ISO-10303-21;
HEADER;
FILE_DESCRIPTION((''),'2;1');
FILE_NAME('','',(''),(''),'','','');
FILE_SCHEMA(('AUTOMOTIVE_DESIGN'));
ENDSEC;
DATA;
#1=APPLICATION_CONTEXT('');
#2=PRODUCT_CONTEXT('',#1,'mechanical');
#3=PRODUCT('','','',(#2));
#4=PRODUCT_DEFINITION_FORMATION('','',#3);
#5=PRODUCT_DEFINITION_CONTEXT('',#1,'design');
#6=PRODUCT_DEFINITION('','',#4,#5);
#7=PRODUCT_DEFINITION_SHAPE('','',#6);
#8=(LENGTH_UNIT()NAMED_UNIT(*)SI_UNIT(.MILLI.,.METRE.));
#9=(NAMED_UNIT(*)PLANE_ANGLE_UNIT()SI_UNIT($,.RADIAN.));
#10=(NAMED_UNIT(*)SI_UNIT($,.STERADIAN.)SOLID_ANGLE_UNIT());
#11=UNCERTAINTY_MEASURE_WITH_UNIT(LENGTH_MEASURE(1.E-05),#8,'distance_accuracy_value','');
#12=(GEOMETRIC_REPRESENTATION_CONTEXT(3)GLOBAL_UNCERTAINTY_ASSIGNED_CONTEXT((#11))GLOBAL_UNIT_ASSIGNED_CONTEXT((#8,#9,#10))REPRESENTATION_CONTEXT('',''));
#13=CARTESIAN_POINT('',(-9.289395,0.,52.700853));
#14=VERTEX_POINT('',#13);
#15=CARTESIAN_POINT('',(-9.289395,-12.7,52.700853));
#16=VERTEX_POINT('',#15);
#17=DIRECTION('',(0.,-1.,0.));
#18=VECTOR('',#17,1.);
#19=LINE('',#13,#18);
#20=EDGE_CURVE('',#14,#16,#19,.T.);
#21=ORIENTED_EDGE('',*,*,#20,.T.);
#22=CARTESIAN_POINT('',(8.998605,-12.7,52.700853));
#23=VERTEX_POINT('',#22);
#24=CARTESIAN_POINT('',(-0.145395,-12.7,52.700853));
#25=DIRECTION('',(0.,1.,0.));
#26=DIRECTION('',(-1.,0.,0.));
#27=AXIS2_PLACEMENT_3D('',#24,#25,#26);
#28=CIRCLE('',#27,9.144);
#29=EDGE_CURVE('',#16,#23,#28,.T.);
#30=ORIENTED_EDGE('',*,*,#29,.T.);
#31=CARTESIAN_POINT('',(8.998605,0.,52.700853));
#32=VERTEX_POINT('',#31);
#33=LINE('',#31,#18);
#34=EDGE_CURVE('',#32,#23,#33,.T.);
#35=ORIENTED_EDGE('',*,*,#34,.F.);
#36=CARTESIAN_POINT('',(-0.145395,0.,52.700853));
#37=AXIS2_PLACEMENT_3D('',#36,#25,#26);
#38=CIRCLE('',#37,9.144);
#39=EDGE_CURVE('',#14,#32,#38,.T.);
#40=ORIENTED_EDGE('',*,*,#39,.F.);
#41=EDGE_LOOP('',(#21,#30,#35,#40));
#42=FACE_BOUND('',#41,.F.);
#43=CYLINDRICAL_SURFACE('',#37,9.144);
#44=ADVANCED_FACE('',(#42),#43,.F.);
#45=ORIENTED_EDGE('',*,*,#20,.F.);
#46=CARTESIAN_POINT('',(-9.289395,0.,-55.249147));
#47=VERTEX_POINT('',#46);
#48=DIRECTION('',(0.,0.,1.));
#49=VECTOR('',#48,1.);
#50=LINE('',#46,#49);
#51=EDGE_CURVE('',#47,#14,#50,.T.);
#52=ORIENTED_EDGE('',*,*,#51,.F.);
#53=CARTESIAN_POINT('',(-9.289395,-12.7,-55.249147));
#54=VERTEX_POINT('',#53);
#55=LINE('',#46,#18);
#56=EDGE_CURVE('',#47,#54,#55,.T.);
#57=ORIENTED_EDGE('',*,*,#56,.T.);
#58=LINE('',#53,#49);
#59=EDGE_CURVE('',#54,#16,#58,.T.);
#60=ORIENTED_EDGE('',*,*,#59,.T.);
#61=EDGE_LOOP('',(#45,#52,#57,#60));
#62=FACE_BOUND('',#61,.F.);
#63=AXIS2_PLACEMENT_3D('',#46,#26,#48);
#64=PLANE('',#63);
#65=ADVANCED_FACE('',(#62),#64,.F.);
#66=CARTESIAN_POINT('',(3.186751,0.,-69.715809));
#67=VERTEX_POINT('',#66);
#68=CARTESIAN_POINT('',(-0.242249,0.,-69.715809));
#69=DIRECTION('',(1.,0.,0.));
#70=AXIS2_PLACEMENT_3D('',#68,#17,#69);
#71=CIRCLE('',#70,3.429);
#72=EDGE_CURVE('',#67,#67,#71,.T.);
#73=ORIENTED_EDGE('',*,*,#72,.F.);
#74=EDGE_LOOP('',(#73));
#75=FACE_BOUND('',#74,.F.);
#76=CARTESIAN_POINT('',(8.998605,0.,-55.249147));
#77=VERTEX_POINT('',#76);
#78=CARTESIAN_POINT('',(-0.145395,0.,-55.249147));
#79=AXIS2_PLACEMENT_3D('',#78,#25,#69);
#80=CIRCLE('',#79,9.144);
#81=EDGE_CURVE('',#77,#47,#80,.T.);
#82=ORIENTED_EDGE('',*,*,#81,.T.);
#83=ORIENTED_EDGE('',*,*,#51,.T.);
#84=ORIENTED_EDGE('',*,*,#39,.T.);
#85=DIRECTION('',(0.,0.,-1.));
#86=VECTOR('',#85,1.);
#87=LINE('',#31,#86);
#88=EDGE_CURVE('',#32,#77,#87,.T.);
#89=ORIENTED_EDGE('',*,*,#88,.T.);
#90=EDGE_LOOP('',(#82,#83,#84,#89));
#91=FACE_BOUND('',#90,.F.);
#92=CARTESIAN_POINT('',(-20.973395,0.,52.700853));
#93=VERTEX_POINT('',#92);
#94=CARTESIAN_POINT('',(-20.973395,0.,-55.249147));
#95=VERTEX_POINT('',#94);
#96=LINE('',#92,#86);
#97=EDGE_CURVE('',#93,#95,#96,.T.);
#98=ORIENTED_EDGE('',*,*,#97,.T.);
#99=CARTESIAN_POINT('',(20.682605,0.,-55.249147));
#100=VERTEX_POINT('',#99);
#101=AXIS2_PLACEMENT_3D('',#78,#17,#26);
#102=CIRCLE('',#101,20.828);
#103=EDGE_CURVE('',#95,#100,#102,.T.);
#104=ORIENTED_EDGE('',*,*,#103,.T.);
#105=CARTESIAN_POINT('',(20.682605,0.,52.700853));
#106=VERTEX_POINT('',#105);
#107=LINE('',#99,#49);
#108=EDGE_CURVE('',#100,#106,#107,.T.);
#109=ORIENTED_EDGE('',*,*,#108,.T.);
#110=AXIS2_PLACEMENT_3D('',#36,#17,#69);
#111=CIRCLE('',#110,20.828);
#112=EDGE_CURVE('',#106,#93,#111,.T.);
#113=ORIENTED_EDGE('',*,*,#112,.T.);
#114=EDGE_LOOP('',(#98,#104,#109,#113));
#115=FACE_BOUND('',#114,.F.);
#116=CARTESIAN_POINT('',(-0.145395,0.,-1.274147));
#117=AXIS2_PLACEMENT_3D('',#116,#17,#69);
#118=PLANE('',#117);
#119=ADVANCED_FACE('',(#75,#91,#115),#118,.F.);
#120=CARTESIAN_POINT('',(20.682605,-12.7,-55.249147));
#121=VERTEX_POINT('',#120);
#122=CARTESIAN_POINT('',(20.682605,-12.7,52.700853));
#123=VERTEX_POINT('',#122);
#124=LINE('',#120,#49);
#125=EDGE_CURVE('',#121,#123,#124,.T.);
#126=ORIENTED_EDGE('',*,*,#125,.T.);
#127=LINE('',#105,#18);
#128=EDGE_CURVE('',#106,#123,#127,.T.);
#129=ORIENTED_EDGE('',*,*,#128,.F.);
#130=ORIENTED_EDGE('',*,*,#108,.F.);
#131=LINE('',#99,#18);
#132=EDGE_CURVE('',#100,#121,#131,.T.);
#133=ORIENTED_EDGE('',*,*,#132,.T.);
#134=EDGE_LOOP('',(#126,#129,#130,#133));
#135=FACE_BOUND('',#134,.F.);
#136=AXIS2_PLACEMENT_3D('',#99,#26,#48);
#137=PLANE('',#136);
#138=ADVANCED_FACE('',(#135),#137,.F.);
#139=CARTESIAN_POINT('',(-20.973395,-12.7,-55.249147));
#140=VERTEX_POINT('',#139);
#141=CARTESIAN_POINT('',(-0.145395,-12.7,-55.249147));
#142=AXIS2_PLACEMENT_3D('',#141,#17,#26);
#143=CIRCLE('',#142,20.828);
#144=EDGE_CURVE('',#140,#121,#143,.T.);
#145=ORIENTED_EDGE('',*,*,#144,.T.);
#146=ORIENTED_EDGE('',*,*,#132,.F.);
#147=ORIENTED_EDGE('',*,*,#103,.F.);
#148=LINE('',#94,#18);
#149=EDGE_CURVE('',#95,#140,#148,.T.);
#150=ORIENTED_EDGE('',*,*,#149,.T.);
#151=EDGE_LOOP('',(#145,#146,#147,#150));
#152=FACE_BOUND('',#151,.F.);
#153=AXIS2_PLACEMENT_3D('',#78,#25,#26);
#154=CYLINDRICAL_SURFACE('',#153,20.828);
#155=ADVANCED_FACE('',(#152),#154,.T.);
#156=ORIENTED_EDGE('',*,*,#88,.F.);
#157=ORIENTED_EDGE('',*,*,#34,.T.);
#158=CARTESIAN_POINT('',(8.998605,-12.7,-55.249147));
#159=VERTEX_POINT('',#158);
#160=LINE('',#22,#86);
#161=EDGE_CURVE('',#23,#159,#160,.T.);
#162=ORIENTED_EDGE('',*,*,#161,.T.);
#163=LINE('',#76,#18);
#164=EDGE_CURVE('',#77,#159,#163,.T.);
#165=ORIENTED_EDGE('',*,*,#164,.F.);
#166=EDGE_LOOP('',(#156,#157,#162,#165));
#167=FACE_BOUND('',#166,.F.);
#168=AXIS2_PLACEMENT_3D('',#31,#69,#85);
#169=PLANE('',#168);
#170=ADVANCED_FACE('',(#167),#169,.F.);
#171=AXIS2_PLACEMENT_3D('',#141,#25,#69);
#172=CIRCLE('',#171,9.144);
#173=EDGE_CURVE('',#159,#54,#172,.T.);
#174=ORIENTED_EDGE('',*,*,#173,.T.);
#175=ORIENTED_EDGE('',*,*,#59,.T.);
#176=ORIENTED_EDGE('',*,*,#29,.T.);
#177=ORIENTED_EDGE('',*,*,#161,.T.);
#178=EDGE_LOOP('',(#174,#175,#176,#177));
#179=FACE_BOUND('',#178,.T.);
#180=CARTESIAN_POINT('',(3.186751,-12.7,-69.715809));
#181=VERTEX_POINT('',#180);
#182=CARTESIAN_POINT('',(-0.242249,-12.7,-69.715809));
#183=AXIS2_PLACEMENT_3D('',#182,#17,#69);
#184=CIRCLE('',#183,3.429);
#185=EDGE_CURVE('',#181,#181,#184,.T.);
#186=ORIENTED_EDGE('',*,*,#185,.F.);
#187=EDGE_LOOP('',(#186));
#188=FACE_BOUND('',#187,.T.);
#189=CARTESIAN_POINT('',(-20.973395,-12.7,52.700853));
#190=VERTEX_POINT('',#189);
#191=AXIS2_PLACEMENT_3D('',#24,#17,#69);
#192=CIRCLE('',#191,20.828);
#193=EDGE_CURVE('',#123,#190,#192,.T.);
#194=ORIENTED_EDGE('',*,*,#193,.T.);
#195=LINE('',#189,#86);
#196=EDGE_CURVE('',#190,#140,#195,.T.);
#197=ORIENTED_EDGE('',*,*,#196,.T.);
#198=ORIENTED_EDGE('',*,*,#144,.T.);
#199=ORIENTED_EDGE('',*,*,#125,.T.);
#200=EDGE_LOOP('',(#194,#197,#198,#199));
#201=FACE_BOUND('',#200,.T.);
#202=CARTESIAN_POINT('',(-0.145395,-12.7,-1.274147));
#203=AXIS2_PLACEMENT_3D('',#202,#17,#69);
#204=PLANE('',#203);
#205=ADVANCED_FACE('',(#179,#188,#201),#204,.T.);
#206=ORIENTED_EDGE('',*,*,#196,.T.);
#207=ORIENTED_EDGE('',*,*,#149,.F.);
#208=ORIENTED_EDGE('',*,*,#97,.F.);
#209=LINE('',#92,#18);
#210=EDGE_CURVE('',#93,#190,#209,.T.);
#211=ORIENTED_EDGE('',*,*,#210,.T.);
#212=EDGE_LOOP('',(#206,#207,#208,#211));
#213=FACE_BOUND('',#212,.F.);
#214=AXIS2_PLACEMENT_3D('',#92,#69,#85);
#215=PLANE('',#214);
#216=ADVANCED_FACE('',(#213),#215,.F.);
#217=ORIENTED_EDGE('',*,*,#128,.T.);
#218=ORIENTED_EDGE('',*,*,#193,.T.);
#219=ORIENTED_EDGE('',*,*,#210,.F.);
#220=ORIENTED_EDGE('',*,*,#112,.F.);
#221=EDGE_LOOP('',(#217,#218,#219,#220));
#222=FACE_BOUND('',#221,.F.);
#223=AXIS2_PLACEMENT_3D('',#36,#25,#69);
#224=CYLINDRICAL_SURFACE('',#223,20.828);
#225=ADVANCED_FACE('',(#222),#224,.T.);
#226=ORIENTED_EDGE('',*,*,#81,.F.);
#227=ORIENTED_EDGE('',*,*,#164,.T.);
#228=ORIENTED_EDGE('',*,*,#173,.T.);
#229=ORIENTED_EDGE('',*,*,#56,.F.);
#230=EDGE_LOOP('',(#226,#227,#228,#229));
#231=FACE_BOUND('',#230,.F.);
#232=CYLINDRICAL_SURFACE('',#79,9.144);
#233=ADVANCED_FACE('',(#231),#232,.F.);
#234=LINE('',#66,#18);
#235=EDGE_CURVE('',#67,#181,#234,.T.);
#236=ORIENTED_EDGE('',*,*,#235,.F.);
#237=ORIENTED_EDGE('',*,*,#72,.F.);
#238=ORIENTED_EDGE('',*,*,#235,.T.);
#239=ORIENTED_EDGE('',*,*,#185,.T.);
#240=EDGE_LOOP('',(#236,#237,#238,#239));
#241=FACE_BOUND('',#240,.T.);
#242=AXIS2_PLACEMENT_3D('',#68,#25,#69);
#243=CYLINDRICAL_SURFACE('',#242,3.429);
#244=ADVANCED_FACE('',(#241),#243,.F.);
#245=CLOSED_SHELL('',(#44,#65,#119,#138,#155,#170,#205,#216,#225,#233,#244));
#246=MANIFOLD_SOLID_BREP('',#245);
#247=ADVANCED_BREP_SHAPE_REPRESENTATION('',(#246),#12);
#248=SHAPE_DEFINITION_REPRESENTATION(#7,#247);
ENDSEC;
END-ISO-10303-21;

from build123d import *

# Parameters (mm, degrees)
F0_R     = 3.429
F1_DEPTH = 12.7


with BuildPart() as f1:
    # F0 (on Front) → F1 (new body)
    with BuildSketch(Plane.XZ):
        with BuildLine():
            ThreePointArc((20.682605, 52.700853), (-0.145395, 73.528853), (-20.973395, 52.700853))
            Line((-20.973395, 52.700853), (-20.973395, -55.249147))
            ThreePointArc((-20.973395, -55.249147), (-0.145395, -76.077147), (20.682605, -55.249147))
            Line((20.682605, -55.249147), (20.682605, 52.700853))
        make_face()
        with Locations((-0.242249, -69.715809)):
            Circle(F0_R, mode=Mode.SUBTRACT)
        with BuildLine():
            Line((-9.289395, -55.249147), (-9.289395, 52.700853))
            ThreePointArc((-9.289395, 52.700853), (-0.145395, 61.844853), (8.998605, 52.700853))
            Line((8.998605, 52.700853), (8.998605, -55.249147))
            ThreePointArc((8.998605, -55.249147), (-0.145395, -64.393147), (-9.289395, -55.249147))
        make_face(mode=Mode.SUBTRACT)
    extrude(amount=F1_DEPTH)


solid = f1.part
